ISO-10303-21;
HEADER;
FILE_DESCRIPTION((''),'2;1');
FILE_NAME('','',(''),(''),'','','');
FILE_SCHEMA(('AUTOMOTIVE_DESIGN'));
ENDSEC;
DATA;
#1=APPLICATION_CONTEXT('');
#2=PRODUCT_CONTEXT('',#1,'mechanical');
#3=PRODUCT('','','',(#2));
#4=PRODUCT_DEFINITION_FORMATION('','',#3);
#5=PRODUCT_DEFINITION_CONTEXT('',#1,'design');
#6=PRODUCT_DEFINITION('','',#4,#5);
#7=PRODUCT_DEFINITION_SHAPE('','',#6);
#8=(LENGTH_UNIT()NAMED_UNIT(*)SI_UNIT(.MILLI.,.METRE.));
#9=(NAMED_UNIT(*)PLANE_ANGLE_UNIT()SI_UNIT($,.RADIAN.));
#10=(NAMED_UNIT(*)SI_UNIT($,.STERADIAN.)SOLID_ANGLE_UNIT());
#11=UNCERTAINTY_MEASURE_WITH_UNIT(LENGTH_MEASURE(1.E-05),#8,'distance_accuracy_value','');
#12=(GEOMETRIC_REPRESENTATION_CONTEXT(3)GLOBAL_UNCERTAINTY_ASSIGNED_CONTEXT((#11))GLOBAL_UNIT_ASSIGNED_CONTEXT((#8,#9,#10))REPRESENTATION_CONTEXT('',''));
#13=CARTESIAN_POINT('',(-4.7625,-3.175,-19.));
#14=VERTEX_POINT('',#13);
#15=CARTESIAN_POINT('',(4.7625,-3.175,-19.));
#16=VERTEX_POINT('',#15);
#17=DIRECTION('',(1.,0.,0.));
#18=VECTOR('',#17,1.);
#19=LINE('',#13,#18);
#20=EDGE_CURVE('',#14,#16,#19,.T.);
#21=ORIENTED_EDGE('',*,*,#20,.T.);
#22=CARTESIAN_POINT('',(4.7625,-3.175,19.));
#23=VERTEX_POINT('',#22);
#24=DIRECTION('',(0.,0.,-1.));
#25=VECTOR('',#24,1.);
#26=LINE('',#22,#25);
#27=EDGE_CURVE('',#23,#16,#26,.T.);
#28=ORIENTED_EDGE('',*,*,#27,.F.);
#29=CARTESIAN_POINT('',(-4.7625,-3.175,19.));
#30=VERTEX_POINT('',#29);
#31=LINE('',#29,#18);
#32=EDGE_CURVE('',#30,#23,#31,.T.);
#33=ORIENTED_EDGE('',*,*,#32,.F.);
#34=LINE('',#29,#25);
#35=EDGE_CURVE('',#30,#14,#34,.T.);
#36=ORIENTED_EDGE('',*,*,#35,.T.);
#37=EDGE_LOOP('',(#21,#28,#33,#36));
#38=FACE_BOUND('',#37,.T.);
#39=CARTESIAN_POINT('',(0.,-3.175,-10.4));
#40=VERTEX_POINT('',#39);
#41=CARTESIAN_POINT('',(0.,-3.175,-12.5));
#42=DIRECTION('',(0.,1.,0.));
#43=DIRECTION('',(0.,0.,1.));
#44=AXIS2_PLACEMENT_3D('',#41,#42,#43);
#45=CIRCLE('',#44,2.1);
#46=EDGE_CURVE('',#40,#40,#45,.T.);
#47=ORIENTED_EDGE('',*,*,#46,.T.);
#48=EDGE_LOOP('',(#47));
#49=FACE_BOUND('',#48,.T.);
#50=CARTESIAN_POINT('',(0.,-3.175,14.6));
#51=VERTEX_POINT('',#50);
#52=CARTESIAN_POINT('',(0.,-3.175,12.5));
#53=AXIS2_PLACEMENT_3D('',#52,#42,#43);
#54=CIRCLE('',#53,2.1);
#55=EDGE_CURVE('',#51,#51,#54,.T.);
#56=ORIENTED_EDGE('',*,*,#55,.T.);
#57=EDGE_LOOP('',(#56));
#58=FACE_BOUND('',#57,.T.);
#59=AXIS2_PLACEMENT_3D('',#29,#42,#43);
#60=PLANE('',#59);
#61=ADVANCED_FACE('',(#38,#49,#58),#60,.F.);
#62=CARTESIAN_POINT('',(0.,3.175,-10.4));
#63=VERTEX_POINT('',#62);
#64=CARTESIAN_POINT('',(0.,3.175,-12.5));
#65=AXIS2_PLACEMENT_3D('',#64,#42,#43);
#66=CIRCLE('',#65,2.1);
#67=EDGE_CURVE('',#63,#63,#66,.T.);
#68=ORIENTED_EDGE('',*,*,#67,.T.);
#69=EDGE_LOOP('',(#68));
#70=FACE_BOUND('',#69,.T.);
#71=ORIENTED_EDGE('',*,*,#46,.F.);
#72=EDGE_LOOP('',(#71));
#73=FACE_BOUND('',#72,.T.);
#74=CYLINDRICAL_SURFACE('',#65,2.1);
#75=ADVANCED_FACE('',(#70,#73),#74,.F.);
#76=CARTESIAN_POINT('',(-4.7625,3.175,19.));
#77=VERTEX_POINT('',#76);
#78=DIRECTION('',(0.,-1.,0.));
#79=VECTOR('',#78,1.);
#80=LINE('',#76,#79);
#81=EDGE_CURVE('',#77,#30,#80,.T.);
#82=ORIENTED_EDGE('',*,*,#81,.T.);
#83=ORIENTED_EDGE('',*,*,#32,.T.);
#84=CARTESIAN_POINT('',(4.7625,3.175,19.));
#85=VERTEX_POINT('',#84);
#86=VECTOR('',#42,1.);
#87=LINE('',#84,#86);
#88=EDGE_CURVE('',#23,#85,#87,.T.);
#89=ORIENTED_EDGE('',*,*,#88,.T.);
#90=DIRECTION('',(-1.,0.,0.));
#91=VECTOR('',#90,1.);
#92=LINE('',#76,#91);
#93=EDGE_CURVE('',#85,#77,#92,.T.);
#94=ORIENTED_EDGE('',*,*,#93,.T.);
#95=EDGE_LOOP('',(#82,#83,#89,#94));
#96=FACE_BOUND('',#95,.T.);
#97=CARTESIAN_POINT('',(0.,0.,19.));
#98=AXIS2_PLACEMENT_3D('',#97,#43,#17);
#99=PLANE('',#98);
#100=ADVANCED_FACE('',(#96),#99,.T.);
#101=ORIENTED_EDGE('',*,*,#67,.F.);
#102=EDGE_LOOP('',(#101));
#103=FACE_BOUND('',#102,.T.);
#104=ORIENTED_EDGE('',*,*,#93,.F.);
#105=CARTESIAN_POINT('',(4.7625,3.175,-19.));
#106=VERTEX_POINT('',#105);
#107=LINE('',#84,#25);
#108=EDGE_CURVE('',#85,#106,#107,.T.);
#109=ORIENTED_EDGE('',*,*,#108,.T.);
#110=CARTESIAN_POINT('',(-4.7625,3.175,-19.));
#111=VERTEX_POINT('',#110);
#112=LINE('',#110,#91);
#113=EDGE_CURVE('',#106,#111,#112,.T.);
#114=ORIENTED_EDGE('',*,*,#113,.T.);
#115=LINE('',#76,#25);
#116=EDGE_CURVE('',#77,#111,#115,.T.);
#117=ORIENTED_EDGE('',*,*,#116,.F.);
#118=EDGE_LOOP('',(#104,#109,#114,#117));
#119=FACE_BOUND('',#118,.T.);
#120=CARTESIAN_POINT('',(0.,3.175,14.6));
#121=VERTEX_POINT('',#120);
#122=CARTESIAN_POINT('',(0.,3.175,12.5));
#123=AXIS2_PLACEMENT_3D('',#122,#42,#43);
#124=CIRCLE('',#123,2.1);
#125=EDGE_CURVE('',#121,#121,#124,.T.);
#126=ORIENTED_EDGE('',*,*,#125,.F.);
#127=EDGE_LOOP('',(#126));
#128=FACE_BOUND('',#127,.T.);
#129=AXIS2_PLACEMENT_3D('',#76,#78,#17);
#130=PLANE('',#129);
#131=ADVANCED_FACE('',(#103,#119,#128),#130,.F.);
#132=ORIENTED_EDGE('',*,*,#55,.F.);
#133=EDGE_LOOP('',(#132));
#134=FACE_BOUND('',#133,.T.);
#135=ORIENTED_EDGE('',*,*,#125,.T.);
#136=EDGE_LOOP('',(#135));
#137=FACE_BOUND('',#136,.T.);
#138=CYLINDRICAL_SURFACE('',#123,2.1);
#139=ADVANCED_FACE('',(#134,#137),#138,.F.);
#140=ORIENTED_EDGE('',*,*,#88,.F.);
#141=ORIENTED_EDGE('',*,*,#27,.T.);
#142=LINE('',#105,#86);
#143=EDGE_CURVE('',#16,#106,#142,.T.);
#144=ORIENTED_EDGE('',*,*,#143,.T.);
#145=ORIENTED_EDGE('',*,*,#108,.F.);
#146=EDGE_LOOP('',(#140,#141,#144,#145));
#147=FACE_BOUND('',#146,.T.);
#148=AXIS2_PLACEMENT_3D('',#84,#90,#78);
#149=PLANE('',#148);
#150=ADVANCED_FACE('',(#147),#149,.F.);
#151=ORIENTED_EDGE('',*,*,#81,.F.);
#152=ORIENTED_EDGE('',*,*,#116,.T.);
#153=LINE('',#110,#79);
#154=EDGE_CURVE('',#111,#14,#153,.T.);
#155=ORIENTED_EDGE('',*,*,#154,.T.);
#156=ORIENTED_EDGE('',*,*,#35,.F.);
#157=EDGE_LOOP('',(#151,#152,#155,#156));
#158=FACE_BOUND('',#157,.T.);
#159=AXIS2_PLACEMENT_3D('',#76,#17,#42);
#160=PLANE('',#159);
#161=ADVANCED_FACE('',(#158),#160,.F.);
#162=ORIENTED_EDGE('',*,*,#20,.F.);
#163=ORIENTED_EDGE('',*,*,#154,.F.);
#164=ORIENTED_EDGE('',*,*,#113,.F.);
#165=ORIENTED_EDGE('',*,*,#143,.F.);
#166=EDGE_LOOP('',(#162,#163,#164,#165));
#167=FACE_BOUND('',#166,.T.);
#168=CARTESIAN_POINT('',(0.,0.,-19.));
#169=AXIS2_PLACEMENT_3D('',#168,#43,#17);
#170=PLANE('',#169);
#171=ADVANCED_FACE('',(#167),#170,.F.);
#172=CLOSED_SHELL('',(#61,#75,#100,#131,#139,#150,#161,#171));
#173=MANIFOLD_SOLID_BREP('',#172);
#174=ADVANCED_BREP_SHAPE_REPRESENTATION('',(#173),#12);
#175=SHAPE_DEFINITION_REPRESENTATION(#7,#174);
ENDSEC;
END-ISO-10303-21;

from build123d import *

# Parameters (mm, degrees)
SKETCH1_W           = 9.525
SKETCH1_H           = 6.35
BOSS_EXTRUDE1_DEPTH = 19
M5_TAPPED_HOLE1_D   = 4.2


with BuildPart() as part:
    # Sketch1 → Boss-Extrude1 (new, symmetric)
    with BuildSketch(Plane.XY):
        Rectangle(SKETCH1_W, SKETCH1_H)
    extrude(amount=BOSS_EXTRUDE1_DEPTH, both=True)

    # M5 Tapped Hole1 (through all)
    with Locations(Plane(origin=(0, 3.175, 0), x_dir=(1, 0, 0), z_dir=(0, 1, 0))):
        with Locations((0, -12.5), (0, 12.5)):
            Hole(M5_TAPPED_HOLE1_D / 2)


solid = part.part
